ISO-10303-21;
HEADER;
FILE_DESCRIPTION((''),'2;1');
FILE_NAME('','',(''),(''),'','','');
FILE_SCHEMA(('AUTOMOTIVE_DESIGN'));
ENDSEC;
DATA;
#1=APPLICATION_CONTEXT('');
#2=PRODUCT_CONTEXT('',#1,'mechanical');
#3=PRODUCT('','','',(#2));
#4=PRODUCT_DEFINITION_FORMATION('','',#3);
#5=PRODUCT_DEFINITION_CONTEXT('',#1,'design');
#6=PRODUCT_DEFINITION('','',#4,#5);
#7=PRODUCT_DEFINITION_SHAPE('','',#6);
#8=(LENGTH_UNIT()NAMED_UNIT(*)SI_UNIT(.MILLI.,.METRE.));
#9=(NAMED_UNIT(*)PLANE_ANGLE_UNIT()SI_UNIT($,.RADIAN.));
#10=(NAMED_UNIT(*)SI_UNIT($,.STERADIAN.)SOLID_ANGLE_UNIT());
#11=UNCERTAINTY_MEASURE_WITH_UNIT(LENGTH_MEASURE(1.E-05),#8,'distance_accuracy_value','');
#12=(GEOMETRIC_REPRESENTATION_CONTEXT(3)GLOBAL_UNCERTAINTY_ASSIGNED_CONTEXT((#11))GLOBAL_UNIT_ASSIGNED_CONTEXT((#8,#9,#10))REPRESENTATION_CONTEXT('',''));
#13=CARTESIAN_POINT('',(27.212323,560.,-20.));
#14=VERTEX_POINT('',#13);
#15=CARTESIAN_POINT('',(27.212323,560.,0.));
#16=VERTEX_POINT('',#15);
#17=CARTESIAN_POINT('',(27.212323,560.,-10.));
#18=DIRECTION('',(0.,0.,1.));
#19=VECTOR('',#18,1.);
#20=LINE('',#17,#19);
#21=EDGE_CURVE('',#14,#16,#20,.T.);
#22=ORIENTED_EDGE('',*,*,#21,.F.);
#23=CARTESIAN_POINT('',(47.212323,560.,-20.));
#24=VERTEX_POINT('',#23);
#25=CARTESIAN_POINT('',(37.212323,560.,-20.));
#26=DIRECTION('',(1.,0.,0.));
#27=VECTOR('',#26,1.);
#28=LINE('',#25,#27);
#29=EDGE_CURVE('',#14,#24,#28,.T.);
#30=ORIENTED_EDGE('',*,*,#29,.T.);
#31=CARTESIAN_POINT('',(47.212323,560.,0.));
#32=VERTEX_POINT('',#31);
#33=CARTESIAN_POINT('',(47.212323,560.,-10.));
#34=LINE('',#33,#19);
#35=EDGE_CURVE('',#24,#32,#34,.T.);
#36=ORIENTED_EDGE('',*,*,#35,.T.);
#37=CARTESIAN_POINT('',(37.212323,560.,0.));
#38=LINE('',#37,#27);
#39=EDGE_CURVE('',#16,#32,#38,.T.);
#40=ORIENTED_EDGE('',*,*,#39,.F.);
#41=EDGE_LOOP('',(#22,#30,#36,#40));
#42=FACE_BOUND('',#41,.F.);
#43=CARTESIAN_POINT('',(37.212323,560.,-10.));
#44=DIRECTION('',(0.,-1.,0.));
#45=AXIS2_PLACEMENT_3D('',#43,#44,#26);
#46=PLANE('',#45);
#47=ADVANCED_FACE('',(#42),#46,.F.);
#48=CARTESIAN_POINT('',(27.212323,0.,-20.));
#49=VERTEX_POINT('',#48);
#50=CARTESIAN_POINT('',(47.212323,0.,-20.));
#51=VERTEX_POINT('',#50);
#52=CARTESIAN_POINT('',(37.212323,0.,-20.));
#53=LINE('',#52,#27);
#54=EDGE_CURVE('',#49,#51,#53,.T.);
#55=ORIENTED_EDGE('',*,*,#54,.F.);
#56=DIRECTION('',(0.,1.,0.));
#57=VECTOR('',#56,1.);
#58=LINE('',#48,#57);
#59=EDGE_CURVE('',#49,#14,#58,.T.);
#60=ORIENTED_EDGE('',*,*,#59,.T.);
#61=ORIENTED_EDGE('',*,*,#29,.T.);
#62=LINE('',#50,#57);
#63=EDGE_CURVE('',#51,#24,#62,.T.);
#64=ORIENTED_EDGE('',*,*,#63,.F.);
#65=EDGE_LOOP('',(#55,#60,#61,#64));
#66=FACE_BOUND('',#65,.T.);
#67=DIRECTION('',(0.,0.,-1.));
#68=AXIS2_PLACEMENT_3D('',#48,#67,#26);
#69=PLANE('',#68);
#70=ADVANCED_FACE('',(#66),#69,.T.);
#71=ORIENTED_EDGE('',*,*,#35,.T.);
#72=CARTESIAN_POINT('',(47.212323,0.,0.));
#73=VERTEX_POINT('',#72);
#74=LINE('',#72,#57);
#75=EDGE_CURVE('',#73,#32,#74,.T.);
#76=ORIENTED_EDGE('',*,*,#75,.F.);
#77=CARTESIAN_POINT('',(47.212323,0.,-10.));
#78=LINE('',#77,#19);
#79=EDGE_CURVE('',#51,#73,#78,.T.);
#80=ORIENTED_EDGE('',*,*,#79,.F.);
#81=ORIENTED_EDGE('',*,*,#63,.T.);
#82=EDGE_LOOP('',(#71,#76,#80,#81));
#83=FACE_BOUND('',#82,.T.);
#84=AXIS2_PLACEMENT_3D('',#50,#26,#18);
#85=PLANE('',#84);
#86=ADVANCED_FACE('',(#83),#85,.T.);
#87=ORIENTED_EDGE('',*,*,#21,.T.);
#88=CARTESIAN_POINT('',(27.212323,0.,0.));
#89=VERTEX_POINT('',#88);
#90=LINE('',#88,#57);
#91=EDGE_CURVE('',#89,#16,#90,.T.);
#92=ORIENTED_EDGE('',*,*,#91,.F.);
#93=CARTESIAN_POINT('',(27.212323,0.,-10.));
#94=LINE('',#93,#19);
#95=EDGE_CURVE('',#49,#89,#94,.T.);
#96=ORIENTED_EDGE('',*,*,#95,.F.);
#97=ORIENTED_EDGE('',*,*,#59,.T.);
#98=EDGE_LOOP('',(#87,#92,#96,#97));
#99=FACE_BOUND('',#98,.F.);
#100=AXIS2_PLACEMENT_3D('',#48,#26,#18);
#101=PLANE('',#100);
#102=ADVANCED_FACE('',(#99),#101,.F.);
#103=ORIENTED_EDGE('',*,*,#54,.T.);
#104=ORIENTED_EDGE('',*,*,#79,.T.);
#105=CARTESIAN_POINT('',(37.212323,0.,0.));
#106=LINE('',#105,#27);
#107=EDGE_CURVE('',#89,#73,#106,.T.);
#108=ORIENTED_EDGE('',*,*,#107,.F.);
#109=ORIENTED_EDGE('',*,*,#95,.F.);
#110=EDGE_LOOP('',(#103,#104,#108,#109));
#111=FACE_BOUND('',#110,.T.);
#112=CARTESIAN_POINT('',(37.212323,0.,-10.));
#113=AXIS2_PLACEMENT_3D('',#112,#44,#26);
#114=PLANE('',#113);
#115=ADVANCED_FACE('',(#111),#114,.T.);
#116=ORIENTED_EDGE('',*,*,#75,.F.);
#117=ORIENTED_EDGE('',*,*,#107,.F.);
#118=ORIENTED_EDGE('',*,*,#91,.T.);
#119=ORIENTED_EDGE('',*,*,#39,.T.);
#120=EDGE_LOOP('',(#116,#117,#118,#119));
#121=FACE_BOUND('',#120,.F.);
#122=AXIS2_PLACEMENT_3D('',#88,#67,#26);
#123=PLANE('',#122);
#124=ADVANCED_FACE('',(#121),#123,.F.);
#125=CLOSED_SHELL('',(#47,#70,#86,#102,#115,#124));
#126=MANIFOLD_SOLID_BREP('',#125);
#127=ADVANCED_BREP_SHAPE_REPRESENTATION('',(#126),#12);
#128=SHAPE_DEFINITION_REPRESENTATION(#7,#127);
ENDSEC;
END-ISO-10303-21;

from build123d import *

# Parameters (mm, degrees)
F0_W     = 20
F0_H     = 20
F1_DEPTH = 560


with BuildPart() as f1:
    # F0 (on Front) → F1 (new body)
    with BuildSketch(Plane.XZ):
        with Locations((37.212323, -10)):
            Rectangle(F0_W, F0_H)
    extrude(amount=-F1_DEPTH)


solid = f1.part
